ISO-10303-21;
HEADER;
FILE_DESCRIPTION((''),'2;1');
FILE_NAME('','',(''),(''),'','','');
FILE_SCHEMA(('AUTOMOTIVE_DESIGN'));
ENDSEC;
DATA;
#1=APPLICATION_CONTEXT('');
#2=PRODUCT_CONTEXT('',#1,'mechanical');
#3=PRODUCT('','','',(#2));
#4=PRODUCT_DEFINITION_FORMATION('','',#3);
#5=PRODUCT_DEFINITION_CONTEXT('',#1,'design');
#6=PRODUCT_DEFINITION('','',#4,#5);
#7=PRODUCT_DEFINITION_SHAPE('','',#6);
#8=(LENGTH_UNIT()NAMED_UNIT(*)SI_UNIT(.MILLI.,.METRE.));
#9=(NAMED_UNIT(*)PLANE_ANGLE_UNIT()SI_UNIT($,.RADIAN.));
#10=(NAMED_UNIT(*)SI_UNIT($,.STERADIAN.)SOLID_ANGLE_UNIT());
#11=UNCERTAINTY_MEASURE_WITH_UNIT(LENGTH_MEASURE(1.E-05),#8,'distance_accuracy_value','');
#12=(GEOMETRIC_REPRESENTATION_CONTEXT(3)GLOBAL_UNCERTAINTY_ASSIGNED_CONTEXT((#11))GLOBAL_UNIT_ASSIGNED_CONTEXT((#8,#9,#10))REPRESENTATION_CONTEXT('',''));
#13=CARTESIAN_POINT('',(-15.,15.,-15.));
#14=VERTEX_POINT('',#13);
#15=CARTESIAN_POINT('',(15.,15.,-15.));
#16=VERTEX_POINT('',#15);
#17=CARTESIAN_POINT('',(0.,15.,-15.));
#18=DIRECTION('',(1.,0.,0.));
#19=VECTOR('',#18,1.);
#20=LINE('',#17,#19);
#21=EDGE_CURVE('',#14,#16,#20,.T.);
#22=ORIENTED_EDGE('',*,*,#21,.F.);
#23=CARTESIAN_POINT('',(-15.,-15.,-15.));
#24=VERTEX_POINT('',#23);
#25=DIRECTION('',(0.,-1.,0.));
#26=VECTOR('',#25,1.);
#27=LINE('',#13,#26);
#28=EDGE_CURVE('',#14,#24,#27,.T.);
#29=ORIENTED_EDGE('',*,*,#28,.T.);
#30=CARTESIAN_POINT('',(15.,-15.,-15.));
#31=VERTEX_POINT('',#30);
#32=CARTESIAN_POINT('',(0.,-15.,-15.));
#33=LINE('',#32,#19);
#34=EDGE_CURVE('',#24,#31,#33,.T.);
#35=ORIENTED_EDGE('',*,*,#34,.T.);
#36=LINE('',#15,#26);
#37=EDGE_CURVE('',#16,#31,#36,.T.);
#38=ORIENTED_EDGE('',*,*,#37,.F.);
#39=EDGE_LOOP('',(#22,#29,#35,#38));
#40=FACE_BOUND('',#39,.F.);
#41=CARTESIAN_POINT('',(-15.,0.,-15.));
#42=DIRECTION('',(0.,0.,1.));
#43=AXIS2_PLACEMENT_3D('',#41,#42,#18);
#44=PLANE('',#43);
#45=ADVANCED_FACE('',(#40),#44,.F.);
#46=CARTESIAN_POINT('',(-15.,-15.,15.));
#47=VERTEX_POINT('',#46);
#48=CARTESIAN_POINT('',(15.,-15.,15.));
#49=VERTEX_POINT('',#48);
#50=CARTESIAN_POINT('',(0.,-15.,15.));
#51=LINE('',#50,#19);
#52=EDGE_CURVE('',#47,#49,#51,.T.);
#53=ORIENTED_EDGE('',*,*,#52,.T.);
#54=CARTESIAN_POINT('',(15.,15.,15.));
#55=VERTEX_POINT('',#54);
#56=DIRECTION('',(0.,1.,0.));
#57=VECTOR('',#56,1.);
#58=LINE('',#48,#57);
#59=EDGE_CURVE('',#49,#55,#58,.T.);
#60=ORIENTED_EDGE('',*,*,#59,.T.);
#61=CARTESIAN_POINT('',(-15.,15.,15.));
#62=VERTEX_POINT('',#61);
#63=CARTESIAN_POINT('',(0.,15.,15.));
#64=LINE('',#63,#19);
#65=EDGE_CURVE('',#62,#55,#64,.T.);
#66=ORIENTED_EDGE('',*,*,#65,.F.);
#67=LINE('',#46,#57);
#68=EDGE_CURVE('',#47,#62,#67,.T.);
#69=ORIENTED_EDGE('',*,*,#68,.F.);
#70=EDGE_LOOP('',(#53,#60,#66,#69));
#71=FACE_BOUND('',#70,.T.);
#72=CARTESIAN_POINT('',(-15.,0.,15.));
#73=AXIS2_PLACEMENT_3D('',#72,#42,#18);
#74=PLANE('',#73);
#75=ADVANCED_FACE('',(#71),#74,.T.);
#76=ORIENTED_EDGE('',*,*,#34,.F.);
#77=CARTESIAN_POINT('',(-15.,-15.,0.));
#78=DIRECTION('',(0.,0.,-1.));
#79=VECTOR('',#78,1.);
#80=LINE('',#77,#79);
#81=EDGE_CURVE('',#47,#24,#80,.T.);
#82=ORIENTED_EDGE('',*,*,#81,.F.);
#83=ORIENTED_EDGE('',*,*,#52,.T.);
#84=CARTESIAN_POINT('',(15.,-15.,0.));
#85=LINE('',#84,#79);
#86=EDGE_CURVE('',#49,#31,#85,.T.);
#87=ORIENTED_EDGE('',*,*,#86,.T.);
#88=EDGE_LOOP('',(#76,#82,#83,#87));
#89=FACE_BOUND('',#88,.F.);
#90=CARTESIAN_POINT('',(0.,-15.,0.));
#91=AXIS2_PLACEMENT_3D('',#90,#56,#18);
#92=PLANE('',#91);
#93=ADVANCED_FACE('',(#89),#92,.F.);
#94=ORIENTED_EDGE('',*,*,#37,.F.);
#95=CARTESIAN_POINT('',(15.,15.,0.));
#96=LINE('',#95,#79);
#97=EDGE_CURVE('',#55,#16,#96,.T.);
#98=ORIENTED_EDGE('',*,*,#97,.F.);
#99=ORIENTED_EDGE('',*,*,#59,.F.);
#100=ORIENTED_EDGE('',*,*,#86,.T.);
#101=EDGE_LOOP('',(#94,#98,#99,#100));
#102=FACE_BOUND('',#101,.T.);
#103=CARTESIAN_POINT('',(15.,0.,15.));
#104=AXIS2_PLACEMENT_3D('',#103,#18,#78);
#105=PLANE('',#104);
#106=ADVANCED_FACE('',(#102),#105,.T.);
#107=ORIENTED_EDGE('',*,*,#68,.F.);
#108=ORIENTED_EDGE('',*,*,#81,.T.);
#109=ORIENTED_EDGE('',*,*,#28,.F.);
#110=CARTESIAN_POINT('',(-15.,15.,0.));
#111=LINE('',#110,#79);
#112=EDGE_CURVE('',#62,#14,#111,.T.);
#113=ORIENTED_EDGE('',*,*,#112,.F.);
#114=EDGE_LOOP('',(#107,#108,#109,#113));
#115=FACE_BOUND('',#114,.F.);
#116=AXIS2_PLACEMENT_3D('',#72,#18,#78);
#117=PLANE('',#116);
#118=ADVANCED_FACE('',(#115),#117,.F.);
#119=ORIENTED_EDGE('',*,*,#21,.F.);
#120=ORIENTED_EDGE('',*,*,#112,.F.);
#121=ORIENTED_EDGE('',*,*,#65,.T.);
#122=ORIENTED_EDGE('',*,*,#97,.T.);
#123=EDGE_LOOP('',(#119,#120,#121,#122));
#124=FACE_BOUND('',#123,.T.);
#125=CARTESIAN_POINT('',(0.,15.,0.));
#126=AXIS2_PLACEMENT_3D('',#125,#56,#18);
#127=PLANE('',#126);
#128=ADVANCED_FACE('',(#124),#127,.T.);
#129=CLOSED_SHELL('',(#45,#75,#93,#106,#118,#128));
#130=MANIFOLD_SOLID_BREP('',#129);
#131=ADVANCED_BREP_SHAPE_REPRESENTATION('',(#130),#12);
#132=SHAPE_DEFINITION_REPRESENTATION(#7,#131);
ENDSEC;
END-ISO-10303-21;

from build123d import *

# Parameters (mm, degrees)
BOSS_EXTRUDE1_DEPTH      = 15
BOSS_EXTRUDE1_DEPTH_BACK = 15
SKETCH1_W                = 30
SKETCH1_H                = 30


with BuildPart() as part:
    # Sketch1 → Boss-Extrude1 (new, two sides: drawn at the far end of the back side and taken through both)
    with BuildSketch(Plane(origin=(0, 0, 0), x_dir=(1, 0, 0), z_dir=(0, 1, 0)).offset(-BOSS_EXTRUDE1_DEPTH_BACK)):
        Rectangle(SKETCH1_W, SKETCH1_H)
    extrude(amount=BOSS_EXTRUDE1_DEPTH + BOSS_EXTRUDE1_DEPTH_BACK)


solid = part.part
